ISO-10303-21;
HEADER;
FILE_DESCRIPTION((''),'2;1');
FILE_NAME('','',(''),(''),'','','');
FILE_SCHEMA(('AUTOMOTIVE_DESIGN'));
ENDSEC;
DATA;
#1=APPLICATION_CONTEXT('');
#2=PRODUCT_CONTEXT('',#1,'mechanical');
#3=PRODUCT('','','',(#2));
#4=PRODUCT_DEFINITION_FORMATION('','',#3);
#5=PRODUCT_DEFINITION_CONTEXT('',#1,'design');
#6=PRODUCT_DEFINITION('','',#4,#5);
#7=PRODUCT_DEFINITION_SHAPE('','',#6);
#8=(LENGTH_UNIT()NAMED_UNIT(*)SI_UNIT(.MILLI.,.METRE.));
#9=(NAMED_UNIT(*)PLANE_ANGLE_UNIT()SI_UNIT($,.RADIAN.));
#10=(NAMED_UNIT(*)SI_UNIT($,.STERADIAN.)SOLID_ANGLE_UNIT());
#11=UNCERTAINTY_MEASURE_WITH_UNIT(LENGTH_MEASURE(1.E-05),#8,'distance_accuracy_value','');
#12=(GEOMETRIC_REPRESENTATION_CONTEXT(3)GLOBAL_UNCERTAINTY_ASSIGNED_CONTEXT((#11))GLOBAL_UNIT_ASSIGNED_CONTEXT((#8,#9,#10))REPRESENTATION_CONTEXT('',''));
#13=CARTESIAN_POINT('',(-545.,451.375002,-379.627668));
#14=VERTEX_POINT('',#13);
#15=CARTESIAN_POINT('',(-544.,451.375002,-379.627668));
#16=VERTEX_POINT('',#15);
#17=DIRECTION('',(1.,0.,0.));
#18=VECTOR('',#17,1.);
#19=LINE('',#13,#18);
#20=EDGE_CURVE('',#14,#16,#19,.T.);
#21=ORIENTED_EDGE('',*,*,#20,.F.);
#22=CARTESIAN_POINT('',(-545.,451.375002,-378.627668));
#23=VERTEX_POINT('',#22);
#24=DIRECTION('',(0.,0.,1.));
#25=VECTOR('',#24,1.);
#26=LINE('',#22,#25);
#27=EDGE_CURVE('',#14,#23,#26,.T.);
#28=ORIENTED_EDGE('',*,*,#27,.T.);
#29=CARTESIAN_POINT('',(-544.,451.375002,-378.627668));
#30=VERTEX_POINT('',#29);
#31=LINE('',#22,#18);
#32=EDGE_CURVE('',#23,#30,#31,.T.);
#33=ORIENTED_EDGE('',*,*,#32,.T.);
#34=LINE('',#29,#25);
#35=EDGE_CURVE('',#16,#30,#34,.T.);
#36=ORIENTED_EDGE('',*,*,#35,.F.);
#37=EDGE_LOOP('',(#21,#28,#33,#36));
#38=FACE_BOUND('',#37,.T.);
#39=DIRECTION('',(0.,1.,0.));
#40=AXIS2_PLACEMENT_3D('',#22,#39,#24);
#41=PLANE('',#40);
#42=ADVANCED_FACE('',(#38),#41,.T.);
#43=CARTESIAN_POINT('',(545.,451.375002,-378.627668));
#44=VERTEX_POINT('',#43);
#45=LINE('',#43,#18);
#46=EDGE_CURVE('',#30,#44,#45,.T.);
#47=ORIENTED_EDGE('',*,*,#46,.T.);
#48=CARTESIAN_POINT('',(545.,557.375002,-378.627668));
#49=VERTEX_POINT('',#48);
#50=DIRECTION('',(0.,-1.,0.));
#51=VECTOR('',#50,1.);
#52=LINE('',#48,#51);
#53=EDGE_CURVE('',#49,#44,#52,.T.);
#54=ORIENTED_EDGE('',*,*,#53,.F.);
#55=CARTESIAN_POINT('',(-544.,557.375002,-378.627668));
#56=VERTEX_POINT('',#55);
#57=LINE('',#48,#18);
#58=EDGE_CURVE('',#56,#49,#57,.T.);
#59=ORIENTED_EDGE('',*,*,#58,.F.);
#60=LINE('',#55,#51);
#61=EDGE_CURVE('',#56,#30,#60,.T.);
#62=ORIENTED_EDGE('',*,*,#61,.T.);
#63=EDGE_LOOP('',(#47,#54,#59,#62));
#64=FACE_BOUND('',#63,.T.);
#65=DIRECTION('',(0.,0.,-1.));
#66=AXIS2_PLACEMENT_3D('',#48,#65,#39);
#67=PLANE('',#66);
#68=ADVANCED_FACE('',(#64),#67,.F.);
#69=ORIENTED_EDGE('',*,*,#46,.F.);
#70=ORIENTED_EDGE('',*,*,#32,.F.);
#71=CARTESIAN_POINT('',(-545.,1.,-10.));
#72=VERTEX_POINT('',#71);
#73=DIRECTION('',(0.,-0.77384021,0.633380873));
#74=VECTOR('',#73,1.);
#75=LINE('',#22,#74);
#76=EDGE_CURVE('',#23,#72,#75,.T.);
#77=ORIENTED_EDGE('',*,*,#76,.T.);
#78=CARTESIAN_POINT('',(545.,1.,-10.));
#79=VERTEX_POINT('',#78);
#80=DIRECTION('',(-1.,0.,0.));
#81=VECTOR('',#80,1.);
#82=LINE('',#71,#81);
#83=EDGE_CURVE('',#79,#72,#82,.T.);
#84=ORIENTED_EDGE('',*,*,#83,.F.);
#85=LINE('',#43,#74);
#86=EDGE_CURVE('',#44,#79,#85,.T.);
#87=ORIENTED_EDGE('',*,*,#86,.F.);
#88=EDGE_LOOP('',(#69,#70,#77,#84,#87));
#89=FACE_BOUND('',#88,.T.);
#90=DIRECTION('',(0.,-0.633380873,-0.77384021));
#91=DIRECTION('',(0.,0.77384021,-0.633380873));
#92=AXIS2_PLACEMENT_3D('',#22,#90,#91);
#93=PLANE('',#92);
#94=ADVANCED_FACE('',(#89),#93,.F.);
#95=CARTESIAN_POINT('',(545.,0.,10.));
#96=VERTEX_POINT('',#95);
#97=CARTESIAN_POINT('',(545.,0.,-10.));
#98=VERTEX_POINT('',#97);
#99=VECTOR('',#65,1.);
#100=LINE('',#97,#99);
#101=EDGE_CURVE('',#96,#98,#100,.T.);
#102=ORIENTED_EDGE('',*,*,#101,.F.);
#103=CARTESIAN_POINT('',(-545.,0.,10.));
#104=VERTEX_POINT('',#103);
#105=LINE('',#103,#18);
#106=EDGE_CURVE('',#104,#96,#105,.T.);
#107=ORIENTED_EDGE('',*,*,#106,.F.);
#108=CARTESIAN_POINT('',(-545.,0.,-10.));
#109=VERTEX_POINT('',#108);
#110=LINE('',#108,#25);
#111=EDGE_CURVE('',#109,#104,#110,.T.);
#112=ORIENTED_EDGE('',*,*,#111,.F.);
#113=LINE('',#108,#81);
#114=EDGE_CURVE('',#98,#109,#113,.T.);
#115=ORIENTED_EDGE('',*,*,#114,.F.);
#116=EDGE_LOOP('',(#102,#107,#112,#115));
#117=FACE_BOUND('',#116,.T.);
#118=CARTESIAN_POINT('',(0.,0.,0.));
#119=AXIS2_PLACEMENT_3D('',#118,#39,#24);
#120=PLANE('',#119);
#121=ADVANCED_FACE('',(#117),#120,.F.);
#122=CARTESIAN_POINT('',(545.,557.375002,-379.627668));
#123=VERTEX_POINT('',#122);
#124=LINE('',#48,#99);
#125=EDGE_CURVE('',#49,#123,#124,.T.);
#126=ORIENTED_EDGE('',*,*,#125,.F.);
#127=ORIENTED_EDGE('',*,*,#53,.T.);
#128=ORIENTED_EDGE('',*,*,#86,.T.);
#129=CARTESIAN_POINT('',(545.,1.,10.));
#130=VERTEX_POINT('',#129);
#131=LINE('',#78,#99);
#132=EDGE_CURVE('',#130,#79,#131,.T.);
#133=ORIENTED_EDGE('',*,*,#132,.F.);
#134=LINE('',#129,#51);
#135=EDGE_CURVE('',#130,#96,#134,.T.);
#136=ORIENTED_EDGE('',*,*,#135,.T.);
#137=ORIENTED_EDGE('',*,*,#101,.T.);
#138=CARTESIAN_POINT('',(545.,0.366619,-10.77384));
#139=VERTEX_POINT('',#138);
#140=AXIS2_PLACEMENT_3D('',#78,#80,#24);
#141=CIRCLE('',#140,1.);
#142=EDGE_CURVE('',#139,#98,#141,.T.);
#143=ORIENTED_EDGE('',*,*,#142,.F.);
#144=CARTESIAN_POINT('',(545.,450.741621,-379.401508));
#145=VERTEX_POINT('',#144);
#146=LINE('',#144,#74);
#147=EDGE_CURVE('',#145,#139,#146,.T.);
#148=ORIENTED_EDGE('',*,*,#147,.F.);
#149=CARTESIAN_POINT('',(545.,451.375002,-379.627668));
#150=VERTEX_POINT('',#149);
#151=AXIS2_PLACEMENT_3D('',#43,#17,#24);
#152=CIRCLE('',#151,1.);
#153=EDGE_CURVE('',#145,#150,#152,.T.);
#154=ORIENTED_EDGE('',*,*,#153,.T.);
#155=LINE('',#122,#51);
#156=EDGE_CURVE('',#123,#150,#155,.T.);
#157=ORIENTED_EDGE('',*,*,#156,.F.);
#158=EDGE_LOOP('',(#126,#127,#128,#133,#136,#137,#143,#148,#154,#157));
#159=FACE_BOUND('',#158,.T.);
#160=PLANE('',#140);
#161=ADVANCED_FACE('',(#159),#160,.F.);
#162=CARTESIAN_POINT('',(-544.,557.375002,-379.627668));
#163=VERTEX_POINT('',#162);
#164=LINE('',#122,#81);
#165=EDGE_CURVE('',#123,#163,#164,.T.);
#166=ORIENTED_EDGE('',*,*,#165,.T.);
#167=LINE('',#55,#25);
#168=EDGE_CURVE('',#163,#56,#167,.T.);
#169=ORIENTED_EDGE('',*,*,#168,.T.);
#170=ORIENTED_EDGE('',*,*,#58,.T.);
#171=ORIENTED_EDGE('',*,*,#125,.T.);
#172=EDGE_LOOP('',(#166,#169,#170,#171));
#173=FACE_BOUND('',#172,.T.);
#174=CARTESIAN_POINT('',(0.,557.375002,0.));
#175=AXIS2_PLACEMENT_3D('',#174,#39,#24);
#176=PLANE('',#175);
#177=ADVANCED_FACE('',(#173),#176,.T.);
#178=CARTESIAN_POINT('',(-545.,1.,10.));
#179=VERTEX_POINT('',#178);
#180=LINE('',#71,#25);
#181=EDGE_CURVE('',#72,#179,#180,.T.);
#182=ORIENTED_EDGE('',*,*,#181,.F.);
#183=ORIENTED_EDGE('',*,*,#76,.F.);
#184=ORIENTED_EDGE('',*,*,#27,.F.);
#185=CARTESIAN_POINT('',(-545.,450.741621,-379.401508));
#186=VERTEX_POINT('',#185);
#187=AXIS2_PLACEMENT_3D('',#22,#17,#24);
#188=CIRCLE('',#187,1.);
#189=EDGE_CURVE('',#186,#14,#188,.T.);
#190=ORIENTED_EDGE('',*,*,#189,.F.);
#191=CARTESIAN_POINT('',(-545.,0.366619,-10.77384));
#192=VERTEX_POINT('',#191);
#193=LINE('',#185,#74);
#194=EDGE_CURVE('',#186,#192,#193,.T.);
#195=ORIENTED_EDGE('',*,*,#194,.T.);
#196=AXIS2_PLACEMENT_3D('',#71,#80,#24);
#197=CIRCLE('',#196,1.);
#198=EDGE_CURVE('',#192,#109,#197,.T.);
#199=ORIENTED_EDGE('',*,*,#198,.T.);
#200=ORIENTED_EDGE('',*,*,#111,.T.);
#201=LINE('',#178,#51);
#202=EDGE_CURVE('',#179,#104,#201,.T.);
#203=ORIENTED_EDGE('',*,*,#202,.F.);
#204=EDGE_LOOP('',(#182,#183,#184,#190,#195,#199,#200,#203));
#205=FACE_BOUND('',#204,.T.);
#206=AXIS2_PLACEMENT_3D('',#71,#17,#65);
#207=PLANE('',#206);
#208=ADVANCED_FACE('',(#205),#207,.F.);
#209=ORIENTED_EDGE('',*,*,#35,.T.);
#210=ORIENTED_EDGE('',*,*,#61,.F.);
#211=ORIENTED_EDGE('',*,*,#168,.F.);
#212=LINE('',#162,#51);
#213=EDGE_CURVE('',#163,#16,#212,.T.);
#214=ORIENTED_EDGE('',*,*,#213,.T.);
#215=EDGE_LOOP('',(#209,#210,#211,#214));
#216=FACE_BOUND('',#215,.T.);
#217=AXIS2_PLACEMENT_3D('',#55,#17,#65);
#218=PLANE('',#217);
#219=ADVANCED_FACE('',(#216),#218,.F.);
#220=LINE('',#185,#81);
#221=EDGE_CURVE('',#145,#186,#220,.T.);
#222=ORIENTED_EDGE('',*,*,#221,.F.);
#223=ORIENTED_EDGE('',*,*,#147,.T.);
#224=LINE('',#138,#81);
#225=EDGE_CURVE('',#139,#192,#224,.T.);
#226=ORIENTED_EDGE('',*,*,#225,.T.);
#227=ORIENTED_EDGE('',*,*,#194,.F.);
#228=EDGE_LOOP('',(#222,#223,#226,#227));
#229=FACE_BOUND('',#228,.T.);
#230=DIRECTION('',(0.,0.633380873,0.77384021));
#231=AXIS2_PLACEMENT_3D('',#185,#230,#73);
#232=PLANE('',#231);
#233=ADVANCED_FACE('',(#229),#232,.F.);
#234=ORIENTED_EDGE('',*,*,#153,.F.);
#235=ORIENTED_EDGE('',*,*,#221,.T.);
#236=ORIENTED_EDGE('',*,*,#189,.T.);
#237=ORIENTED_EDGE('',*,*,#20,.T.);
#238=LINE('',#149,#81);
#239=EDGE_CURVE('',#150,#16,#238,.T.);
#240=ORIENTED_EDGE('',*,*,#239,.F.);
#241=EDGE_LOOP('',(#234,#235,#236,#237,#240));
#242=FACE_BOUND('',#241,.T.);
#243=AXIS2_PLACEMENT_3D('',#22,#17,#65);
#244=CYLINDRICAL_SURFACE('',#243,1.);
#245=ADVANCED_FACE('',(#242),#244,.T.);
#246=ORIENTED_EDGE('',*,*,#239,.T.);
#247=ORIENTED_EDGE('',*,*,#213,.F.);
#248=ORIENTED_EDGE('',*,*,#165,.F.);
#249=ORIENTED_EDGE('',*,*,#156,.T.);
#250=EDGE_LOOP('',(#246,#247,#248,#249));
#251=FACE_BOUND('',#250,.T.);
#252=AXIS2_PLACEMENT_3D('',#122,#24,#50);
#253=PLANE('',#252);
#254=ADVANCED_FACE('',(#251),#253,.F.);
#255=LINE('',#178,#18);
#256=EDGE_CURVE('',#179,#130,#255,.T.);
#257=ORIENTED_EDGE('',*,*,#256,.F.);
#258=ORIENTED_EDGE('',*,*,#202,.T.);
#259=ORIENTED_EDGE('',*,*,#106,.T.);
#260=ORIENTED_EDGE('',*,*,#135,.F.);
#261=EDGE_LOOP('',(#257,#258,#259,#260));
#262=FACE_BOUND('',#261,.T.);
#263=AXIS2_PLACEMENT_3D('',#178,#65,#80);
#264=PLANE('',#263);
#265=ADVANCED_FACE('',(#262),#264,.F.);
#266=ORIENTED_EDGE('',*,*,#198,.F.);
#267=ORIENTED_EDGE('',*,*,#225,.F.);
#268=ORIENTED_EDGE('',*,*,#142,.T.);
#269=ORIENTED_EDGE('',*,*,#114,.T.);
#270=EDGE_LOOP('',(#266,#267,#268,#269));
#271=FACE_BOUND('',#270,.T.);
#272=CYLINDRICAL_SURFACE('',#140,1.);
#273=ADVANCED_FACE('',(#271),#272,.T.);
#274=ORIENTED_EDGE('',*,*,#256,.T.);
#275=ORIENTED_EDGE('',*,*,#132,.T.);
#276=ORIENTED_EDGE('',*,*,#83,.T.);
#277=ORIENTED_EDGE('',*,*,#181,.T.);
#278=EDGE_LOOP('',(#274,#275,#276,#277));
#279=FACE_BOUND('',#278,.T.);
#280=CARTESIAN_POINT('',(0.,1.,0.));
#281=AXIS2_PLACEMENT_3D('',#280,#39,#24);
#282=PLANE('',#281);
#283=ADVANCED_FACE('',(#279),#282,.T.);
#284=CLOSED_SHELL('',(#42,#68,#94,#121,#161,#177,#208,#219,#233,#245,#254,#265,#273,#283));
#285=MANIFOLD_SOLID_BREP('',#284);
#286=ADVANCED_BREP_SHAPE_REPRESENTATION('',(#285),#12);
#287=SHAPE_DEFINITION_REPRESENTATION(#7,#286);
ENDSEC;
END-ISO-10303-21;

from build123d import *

# Parameters (mm, degrees)
SKETCH1_W           = 1090
SKETCH1_H           = 20
BOSS_EXTRUDE1_DEPTH = 1
BOSS_EXTRUDE4_DEPTH = 1090
SKETCH5_W           = 1090
SKETCH5_H           = 1
BOSS_EXTRUDE5_DEPTH = 582
BOSS_EXTRUDE6_DEPTH = 1090
SKETCH7_W           = 1089
SKETCH7_H           = 1
BOSS_EXTRUDE7_DEPTH = 106


with BuildPart() as part:
    # Sketch1 → Boss-Extrude1 (new body)
    with BuildSketch(Plane(origin=(0, 0, 0), x_dir=(1, 0, 0), z_dir=(0, 1, 0))):
        Rectangle(SKETCH1_W, SKETCH1_H)
    extrude(amount=BOSS_EXTRUDE1_DEPTH)

    # Sketch4 → Boss-Extrude4 (add)
    with BuildSketch(Plane.ZY.offset(545)):
        with BuildLine():
            Line((-10, 1), (-10.77384021, 0.366619127))
            ThreePointArc((-10.77384021, 0.366619127), (-10.428146661, 0.096290735), (-10, 0))
            Line((-10, 0), (-10, 1))
        make_face()
    extrude(amount=-BOSS_EXTRUDE4_DEPTH)

    # Sketch5 → Boss-Extrude5 (add)
    with BuildSketch(Plane(origin=(0, 5.500184543, -4.501848885), x_dir=(1, 0, 0), z_dir=(0, 0.7738402097265024, -0.6333808726275547))):
        with Locations((0, 7.605021225)):
            Rectangle(SKETCH5_W, SKETCH5_H)
    extrude(amount=BOSS_EXTRUDE5_DEPTH)

    # Sketch6 → Boss-Extrude6 (add)
    with BuildSketch(Plane(origin=(545, 0, 0), x_dir=(0, 0, -1), z_dir=(1, 0, 0))):
        with BuildLine():
            Line((378.627667869, 451.375002061), (379.627667869, 451.375002061))
            ThreePointArc((379.627667869, 451.375002061), (379.569432227, 451.038728519), (379.401508079, 450.741621188))
            Line((379.401508079, 450.741621188), (378.627667869, 451.375002061))
        make_face()
    extrude(amount=-BOSS_EXTRUDE6_DEPTH)

    # Sketch7 → Boss-Extrude7 (add)
    with BuildSketch(Plane(origin=(0, 451.375002061, 0), x_dir=(1, 0, 0), z_dir=(0, 1, 0))):
        with Locations((0.5, 379.127667869)):
            Rectangle(SKETCH7_W, SKETCH7_H)
    extrude(amount=BOSS_EXTRUDE7_DEPTH)


solid = part.part
